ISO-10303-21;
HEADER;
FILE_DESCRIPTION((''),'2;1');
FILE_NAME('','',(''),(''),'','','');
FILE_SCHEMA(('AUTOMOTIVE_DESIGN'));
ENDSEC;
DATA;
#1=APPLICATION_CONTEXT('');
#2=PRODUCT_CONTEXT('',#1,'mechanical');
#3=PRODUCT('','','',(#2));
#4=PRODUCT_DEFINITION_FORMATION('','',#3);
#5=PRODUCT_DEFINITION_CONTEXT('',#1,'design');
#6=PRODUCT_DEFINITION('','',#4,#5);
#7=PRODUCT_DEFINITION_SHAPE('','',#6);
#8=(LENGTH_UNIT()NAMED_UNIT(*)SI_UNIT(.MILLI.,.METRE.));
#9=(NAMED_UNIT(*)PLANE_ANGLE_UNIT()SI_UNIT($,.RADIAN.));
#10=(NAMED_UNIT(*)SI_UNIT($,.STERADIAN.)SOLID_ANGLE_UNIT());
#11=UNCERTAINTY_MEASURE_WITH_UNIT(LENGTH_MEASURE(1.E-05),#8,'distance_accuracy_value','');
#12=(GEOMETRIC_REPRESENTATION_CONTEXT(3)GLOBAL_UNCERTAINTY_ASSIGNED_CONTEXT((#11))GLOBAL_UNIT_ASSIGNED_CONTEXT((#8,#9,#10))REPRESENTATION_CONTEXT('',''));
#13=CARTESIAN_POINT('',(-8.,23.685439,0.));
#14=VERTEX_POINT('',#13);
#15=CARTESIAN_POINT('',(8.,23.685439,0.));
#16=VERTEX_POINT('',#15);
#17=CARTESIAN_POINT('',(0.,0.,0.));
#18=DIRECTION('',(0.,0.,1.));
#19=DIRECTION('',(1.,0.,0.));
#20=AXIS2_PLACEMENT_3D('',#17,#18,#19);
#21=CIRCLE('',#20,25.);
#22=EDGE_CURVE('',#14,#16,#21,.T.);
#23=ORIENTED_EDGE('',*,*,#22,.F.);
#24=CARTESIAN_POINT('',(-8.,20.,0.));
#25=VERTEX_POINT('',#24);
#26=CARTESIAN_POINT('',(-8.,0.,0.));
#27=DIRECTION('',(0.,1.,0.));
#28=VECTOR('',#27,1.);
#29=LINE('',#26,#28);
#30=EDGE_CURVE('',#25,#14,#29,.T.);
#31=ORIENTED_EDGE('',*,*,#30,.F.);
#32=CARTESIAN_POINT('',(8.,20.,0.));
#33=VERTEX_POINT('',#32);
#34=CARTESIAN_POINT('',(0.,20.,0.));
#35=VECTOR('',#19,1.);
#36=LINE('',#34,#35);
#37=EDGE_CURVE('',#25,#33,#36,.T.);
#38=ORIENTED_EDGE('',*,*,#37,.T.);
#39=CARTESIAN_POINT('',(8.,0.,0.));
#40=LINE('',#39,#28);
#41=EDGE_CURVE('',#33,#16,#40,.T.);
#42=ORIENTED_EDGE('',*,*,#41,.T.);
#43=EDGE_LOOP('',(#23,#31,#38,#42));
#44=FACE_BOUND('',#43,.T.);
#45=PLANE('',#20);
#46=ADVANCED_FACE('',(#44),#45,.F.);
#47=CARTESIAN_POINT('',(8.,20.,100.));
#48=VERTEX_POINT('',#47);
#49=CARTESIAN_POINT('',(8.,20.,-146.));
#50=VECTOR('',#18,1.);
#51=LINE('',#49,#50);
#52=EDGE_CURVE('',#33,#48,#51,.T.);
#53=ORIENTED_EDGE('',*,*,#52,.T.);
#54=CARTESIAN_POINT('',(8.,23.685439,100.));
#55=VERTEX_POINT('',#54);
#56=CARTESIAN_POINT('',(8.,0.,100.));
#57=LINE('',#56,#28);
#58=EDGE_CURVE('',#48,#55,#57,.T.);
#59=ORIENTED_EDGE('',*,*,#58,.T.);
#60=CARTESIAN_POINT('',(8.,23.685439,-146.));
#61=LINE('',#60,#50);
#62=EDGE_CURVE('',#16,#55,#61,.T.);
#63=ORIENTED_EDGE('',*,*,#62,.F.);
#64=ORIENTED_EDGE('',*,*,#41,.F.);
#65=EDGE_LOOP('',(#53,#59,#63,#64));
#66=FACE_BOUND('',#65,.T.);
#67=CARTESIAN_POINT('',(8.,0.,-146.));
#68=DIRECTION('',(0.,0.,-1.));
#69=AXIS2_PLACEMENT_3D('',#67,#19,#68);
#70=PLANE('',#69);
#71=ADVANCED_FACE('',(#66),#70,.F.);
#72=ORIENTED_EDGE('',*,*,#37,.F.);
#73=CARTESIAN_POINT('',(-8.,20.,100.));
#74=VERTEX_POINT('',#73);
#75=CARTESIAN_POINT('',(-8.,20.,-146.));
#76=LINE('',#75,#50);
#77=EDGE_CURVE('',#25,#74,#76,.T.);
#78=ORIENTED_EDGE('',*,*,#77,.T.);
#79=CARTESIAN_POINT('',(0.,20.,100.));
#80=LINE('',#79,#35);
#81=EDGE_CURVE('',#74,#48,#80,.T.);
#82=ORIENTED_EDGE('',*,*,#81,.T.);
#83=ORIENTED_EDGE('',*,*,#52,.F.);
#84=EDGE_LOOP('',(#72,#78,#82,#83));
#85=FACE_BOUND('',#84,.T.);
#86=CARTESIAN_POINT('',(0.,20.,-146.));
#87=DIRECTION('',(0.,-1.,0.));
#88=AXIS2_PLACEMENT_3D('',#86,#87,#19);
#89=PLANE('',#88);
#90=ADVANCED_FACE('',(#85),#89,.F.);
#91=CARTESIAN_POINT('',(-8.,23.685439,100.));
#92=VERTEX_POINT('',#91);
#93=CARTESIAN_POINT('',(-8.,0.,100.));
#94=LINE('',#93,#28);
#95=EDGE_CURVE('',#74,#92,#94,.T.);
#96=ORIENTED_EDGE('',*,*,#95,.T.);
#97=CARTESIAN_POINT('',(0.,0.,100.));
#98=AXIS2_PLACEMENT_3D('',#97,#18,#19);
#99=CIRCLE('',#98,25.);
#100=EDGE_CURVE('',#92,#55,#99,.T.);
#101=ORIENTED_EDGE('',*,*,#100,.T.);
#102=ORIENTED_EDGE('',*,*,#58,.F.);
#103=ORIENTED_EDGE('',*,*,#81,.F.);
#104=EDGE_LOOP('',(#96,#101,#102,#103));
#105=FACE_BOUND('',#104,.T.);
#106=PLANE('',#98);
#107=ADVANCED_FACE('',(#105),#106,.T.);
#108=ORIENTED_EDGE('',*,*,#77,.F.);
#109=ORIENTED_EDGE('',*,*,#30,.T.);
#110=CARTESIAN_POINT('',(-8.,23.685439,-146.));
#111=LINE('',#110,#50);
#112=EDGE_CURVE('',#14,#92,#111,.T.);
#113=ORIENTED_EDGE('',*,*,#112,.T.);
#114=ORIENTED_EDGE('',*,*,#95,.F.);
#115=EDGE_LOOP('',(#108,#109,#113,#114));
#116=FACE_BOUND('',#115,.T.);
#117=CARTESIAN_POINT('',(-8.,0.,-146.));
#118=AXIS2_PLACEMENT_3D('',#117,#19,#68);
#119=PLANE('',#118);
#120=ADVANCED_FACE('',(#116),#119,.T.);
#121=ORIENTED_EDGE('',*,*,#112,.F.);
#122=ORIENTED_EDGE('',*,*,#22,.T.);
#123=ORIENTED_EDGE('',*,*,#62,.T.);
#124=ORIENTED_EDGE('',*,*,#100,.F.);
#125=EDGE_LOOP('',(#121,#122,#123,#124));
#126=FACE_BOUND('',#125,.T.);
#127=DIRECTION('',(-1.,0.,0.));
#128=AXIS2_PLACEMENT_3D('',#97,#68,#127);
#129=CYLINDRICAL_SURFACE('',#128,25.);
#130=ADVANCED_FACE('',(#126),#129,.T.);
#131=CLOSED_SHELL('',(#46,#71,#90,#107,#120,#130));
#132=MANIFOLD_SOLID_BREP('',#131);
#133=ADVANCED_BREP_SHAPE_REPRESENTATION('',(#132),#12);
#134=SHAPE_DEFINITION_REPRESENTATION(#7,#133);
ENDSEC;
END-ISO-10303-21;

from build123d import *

# Parameters (mm, degrees)
SKETCH1_R           = 25
BOSS_EXTRUDE2_DEPTH = 100
CUT_EXTRUDE2_DEPTH  = 246


with BuildPart() as part:
    # Sketch1 → Boss-Extrude2 (new body)
    with BuildSketch(Plane.XY):
        Circle(SKETCH1_R)
    extrude(amount=BOSS_EXTRUDE2_DEPTH)

    # Sketch3 → Cut-Extrude2 (cut)
    with BuildSketch(Plane.XY.offset(100)):
        Polygon((-8, 151.316589681), (-8, 23.685438565), (-8, 20), (8, 20), (8, 23.685438565), (8, 151.316589681), (8, 406.578891913), (-8, 406.578891913), align=None)
    extrude(amount=-CUT_EXTRUDE2_DEPTH, mode=Mode.SUBTRACT)


solid = part.part
